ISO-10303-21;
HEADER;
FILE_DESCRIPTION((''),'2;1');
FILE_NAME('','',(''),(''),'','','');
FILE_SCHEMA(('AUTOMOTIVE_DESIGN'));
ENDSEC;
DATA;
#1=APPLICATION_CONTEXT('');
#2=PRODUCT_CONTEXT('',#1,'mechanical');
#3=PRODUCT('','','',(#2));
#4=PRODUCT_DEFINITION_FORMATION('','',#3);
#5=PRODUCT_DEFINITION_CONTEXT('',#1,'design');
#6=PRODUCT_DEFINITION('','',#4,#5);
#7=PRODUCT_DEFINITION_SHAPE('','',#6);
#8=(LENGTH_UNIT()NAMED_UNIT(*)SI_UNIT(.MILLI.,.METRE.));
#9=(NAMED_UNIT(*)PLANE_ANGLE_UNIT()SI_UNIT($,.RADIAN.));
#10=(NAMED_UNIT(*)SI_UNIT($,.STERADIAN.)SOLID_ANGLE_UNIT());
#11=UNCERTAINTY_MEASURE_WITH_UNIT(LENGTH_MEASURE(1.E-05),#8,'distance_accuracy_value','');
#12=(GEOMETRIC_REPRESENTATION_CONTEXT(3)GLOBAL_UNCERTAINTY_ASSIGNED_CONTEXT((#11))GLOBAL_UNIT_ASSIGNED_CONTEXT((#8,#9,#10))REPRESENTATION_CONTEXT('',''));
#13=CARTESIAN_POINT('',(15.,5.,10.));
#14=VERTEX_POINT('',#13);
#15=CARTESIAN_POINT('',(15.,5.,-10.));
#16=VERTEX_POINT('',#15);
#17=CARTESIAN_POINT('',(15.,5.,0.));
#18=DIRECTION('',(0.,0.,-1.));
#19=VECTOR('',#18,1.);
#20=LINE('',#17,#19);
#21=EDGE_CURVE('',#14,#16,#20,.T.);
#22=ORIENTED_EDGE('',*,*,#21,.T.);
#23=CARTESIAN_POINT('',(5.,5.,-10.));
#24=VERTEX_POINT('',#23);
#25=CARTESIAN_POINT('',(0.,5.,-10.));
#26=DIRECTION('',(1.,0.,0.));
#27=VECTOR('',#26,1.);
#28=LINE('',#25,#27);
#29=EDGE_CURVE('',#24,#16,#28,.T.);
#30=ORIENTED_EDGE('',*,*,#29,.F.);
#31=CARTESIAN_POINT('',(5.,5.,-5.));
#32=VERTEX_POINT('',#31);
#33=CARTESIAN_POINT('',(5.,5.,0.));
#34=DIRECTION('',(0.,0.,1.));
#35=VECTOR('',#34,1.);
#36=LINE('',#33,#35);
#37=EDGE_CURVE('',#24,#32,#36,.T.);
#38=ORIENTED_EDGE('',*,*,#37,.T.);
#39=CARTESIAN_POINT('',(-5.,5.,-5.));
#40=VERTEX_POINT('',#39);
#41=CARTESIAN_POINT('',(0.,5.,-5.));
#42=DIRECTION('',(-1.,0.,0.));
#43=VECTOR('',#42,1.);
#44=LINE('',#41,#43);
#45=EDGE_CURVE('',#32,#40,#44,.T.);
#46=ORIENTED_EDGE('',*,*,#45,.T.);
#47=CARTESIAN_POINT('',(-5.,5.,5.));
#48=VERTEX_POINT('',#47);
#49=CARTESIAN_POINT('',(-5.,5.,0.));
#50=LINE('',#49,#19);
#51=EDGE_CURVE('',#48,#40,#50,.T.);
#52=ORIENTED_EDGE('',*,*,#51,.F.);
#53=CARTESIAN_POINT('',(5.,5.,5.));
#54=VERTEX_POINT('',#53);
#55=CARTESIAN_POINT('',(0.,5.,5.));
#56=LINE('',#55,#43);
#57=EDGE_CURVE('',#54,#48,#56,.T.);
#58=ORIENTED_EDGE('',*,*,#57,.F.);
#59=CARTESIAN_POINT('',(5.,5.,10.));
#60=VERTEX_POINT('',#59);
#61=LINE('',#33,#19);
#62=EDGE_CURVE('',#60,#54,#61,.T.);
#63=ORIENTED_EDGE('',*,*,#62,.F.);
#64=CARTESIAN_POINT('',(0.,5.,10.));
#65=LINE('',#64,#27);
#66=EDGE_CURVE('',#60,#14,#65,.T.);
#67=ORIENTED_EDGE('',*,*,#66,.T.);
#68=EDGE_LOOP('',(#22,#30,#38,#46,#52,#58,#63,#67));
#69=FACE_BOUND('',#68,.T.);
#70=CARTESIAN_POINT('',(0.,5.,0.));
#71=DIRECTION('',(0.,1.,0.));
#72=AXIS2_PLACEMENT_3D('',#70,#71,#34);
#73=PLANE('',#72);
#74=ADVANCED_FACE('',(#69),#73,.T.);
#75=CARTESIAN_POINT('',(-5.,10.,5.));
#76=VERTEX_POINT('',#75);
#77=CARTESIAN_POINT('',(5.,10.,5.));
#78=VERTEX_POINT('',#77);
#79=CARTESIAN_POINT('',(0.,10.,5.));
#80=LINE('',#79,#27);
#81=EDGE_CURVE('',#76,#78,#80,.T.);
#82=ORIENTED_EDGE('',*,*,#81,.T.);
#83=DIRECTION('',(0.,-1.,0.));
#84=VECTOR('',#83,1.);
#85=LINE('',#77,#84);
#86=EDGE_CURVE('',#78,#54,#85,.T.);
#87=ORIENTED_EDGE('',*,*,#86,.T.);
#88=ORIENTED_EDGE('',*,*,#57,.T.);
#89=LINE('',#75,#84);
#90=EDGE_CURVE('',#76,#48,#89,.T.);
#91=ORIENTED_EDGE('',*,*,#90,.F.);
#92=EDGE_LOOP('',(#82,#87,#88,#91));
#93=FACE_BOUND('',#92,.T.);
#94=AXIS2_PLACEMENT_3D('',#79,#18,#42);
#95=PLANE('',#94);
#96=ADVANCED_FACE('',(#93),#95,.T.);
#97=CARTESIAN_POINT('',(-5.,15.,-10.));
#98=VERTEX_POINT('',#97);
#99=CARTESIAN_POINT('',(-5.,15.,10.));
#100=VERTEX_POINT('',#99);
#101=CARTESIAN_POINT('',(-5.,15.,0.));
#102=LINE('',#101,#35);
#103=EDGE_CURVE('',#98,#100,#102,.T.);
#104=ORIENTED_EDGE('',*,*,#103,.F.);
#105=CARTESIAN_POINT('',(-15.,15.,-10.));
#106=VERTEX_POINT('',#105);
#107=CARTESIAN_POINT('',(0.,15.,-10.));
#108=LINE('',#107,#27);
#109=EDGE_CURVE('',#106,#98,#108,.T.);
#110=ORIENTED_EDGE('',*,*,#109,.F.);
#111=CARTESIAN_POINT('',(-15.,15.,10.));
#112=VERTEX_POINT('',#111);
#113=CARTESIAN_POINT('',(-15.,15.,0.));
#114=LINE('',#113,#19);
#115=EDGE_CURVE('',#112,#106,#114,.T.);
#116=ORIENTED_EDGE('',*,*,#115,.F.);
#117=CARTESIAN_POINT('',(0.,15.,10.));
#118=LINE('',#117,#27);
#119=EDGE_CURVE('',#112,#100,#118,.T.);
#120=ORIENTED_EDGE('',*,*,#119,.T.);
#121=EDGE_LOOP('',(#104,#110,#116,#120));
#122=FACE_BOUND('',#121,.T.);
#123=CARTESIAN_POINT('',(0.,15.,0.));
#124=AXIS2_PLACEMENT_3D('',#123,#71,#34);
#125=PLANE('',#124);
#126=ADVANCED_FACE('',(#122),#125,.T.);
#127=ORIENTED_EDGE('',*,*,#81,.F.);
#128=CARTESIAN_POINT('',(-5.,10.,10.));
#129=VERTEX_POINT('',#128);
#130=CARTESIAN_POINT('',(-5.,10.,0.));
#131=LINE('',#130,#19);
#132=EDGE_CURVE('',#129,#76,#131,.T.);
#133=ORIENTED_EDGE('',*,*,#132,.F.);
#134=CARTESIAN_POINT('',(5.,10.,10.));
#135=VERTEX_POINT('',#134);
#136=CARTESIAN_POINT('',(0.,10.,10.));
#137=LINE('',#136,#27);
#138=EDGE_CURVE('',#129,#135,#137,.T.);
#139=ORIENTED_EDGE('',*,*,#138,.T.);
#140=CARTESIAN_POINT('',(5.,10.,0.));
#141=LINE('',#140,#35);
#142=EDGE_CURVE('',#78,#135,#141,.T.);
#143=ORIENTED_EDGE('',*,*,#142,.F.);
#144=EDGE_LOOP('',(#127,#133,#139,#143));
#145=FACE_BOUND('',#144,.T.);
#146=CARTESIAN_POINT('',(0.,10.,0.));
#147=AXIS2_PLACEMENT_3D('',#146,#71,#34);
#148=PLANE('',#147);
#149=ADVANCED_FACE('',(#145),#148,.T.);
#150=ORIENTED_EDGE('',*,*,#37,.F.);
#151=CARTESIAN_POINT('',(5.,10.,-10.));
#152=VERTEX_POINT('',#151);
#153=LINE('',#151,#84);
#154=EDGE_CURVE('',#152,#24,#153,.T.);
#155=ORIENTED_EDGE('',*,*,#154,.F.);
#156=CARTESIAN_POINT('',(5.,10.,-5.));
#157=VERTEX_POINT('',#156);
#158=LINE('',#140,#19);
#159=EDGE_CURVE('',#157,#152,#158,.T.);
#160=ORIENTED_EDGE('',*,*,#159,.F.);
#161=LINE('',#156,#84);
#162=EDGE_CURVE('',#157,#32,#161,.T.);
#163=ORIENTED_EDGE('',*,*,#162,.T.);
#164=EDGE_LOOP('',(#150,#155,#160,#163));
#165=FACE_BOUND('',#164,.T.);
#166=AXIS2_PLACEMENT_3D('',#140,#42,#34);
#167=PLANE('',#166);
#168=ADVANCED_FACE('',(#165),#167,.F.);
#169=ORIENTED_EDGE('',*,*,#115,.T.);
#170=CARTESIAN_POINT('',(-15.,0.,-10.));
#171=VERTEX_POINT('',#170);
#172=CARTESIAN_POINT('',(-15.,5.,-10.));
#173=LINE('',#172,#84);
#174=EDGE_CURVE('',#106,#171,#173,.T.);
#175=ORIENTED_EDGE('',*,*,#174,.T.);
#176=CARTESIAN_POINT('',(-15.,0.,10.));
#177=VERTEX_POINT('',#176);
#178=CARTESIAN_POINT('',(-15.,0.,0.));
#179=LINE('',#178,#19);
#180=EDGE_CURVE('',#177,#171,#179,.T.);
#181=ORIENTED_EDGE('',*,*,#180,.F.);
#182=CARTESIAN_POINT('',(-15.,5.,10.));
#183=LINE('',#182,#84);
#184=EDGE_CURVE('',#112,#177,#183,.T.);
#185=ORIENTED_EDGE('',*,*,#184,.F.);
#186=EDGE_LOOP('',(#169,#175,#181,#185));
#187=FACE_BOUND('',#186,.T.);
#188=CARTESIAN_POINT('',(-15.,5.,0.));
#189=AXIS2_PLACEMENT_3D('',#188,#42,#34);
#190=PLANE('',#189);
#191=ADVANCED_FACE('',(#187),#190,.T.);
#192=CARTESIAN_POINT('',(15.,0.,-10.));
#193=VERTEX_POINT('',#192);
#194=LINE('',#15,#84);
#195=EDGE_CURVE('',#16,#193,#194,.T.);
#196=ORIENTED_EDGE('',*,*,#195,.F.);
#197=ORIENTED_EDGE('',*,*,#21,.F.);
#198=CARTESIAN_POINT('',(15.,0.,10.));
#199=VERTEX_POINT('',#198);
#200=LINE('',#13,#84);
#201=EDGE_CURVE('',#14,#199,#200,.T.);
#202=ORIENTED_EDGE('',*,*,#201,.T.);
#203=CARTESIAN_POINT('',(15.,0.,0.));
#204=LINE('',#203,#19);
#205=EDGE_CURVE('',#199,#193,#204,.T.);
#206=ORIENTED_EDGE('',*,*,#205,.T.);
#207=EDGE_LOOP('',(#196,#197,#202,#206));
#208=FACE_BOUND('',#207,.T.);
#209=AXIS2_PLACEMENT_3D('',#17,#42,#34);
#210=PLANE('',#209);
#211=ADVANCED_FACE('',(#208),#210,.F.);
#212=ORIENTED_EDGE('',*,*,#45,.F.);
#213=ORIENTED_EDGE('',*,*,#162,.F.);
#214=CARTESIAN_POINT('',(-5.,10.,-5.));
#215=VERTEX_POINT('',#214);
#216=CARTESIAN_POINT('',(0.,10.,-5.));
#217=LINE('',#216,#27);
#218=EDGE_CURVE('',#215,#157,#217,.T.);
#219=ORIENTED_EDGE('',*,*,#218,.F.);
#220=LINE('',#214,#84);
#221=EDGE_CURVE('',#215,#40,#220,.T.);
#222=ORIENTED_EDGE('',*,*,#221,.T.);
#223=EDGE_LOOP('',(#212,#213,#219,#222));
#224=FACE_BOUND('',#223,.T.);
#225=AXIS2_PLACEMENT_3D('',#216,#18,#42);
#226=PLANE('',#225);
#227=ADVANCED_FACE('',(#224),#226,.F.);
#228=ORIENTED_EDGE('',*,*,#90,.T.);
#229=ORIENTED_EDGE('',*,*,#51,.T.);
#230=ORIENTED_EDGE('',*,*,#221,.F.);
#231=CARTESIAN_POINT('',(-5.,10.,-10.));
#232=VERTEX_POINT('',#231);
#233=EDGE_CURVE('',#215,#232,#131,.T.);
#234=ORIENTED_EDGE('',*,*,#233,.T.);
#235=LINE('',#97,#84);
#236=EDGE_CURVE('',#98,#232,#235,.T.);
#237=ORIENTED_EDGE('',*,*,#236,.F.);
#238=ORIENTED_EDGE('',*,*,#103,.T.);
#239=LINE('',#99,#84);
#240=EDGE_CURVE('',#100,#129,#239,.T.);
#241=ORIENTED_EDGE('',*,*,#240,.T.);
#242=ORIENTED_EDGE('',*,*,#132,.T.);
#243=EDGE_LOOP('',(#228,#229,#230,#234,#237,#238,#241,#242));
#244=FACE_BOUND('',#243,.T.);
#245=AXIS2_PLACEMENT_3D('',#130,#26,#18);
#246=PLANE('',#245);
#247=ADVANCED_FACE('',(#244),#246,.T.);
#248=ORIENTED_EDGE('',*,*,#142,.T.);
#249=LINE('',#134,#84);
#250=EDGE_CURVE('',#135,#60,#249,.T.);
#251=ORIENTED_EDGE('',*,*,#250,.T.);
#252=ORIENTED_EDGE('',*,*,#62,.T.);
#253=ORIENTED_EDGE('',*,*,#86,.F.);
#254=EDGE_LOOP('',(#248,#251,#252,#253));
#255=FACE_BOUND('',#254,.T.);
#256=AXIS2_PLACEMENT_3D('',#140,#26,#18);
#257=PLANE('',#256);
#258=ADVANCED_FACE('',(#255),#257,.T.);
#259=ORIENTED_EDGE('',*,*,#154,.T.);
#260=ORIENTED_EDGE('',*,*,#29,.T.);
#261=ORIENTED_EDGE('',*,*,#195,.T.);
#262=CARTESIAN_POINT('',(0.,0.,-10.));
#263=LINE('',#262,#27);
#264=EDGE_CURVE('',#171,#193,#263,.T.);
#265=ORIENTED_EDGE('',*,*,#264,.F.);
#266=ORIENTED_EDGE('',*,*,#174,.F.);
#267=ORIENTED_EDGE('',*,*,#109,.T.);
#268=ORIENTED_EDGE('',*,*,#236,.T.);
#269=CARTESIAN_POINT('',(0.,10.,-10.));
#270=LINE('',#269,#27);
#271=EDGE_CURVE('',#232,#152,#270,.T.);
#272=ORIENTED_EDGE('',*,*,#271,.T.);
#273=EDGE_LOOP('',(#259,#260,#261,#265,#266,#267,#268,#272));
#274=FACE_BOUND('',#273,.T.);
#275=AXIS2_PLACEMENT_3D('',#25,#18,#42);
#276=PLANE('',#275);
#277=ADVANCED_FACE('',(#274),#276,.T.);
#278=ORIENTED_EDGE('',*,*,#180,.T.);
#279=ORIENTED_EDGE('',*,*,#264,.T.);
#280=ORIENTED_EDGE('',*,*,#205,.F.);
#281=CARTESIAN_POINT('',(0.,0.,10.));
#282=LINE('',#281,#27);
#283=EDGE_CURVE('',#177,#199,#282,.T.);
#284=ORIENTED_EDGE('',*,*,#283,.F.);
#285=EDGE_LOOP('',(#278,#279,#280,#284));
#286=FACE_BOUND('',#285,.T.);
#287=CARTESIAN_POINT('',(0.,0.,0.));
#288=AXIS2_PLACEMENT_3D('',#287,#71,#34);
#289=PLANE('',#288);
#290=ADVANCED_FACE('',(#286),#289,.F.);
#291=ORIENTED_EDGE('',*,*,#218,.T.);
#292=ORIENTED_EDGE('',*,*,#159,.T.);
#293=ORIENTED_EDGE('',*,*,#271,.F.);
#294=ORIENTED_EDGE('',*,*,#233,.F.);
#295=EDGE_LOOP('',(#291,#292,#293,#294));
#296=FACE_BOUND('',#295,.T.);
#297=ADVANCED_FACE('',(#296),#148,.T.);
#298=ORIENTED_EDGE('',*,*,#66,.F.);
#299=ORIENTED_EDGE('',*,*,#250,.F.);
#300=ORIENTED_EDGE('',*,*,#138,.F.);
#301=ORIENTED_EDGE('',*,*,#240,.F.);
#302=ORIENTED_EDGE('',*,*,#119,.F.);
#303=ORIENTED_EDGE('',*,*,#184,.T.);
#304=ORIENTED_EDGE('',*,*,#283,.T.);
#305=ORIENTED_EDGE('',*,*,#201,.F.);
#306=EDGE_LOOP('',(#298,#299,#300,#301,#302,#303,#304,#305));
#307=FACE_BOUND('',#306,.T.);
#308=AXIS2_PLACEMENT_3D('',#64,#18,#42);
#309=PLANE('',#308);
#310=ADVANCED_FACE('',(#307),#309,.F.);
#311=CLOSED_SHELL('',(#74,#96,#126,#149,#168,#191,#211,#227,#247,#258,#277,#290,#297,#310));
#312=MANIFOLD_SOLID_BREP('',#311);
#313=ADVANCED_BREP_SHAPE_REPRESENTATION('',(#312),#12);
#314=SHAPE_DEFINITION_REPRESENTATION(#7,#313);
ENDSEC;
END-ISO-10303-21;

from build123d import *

# Parameters (mm, degrees)
SKETCH_1_W      = 30
SKETCH_1_H      = 20
EXTRUDE_1_DEPTH = 5
EXTRUDE_2_DEPTH = 10
EXTRUDE_3_DEPTH = 15


with BuildPart() as part:
    # 草圖1 → 填料-伸長1 (new body)
    with BuildSketch(Plane(origin=(0, 0, 0), x_dir=(1, 0, 0), z_dir=(0, 1, 0))):
        Rectangle(SKETCH_1_W, SKETCH_1_H)
    extrude(amount=EXTRUDE_1_DEPTH)

    # 草圖1<3> → 填料-伸長2 (add)
    with BuildSketch(Plane(origin=(0, 0, 0), x_dir=(1, 0, 0), z_dir=(0, 1, 0))):
        Polygon((5, 10), (-15, 10), (-15, -10), (5, -10), (5, -5), (-5, -5), (-5, 5), (5, 5), align=None)
    extrude(amount=EXTRUDE_2_DEPTH)

    # 草圖1<4> → 填料-伸長3 (add)
    with BuildSketch(Plane(origin=(0, 0, 0), x_dir=(1, 0, 0), z_dir=(0, 1, 0))):
        Polygon((-5, 5), (-5, 10), (-15, 10), (-15, -10), (-5, -10), (-5, -5), align=None)
    extrude(amount=EXTRUDE_3_DEPTH)


solid = part.part
